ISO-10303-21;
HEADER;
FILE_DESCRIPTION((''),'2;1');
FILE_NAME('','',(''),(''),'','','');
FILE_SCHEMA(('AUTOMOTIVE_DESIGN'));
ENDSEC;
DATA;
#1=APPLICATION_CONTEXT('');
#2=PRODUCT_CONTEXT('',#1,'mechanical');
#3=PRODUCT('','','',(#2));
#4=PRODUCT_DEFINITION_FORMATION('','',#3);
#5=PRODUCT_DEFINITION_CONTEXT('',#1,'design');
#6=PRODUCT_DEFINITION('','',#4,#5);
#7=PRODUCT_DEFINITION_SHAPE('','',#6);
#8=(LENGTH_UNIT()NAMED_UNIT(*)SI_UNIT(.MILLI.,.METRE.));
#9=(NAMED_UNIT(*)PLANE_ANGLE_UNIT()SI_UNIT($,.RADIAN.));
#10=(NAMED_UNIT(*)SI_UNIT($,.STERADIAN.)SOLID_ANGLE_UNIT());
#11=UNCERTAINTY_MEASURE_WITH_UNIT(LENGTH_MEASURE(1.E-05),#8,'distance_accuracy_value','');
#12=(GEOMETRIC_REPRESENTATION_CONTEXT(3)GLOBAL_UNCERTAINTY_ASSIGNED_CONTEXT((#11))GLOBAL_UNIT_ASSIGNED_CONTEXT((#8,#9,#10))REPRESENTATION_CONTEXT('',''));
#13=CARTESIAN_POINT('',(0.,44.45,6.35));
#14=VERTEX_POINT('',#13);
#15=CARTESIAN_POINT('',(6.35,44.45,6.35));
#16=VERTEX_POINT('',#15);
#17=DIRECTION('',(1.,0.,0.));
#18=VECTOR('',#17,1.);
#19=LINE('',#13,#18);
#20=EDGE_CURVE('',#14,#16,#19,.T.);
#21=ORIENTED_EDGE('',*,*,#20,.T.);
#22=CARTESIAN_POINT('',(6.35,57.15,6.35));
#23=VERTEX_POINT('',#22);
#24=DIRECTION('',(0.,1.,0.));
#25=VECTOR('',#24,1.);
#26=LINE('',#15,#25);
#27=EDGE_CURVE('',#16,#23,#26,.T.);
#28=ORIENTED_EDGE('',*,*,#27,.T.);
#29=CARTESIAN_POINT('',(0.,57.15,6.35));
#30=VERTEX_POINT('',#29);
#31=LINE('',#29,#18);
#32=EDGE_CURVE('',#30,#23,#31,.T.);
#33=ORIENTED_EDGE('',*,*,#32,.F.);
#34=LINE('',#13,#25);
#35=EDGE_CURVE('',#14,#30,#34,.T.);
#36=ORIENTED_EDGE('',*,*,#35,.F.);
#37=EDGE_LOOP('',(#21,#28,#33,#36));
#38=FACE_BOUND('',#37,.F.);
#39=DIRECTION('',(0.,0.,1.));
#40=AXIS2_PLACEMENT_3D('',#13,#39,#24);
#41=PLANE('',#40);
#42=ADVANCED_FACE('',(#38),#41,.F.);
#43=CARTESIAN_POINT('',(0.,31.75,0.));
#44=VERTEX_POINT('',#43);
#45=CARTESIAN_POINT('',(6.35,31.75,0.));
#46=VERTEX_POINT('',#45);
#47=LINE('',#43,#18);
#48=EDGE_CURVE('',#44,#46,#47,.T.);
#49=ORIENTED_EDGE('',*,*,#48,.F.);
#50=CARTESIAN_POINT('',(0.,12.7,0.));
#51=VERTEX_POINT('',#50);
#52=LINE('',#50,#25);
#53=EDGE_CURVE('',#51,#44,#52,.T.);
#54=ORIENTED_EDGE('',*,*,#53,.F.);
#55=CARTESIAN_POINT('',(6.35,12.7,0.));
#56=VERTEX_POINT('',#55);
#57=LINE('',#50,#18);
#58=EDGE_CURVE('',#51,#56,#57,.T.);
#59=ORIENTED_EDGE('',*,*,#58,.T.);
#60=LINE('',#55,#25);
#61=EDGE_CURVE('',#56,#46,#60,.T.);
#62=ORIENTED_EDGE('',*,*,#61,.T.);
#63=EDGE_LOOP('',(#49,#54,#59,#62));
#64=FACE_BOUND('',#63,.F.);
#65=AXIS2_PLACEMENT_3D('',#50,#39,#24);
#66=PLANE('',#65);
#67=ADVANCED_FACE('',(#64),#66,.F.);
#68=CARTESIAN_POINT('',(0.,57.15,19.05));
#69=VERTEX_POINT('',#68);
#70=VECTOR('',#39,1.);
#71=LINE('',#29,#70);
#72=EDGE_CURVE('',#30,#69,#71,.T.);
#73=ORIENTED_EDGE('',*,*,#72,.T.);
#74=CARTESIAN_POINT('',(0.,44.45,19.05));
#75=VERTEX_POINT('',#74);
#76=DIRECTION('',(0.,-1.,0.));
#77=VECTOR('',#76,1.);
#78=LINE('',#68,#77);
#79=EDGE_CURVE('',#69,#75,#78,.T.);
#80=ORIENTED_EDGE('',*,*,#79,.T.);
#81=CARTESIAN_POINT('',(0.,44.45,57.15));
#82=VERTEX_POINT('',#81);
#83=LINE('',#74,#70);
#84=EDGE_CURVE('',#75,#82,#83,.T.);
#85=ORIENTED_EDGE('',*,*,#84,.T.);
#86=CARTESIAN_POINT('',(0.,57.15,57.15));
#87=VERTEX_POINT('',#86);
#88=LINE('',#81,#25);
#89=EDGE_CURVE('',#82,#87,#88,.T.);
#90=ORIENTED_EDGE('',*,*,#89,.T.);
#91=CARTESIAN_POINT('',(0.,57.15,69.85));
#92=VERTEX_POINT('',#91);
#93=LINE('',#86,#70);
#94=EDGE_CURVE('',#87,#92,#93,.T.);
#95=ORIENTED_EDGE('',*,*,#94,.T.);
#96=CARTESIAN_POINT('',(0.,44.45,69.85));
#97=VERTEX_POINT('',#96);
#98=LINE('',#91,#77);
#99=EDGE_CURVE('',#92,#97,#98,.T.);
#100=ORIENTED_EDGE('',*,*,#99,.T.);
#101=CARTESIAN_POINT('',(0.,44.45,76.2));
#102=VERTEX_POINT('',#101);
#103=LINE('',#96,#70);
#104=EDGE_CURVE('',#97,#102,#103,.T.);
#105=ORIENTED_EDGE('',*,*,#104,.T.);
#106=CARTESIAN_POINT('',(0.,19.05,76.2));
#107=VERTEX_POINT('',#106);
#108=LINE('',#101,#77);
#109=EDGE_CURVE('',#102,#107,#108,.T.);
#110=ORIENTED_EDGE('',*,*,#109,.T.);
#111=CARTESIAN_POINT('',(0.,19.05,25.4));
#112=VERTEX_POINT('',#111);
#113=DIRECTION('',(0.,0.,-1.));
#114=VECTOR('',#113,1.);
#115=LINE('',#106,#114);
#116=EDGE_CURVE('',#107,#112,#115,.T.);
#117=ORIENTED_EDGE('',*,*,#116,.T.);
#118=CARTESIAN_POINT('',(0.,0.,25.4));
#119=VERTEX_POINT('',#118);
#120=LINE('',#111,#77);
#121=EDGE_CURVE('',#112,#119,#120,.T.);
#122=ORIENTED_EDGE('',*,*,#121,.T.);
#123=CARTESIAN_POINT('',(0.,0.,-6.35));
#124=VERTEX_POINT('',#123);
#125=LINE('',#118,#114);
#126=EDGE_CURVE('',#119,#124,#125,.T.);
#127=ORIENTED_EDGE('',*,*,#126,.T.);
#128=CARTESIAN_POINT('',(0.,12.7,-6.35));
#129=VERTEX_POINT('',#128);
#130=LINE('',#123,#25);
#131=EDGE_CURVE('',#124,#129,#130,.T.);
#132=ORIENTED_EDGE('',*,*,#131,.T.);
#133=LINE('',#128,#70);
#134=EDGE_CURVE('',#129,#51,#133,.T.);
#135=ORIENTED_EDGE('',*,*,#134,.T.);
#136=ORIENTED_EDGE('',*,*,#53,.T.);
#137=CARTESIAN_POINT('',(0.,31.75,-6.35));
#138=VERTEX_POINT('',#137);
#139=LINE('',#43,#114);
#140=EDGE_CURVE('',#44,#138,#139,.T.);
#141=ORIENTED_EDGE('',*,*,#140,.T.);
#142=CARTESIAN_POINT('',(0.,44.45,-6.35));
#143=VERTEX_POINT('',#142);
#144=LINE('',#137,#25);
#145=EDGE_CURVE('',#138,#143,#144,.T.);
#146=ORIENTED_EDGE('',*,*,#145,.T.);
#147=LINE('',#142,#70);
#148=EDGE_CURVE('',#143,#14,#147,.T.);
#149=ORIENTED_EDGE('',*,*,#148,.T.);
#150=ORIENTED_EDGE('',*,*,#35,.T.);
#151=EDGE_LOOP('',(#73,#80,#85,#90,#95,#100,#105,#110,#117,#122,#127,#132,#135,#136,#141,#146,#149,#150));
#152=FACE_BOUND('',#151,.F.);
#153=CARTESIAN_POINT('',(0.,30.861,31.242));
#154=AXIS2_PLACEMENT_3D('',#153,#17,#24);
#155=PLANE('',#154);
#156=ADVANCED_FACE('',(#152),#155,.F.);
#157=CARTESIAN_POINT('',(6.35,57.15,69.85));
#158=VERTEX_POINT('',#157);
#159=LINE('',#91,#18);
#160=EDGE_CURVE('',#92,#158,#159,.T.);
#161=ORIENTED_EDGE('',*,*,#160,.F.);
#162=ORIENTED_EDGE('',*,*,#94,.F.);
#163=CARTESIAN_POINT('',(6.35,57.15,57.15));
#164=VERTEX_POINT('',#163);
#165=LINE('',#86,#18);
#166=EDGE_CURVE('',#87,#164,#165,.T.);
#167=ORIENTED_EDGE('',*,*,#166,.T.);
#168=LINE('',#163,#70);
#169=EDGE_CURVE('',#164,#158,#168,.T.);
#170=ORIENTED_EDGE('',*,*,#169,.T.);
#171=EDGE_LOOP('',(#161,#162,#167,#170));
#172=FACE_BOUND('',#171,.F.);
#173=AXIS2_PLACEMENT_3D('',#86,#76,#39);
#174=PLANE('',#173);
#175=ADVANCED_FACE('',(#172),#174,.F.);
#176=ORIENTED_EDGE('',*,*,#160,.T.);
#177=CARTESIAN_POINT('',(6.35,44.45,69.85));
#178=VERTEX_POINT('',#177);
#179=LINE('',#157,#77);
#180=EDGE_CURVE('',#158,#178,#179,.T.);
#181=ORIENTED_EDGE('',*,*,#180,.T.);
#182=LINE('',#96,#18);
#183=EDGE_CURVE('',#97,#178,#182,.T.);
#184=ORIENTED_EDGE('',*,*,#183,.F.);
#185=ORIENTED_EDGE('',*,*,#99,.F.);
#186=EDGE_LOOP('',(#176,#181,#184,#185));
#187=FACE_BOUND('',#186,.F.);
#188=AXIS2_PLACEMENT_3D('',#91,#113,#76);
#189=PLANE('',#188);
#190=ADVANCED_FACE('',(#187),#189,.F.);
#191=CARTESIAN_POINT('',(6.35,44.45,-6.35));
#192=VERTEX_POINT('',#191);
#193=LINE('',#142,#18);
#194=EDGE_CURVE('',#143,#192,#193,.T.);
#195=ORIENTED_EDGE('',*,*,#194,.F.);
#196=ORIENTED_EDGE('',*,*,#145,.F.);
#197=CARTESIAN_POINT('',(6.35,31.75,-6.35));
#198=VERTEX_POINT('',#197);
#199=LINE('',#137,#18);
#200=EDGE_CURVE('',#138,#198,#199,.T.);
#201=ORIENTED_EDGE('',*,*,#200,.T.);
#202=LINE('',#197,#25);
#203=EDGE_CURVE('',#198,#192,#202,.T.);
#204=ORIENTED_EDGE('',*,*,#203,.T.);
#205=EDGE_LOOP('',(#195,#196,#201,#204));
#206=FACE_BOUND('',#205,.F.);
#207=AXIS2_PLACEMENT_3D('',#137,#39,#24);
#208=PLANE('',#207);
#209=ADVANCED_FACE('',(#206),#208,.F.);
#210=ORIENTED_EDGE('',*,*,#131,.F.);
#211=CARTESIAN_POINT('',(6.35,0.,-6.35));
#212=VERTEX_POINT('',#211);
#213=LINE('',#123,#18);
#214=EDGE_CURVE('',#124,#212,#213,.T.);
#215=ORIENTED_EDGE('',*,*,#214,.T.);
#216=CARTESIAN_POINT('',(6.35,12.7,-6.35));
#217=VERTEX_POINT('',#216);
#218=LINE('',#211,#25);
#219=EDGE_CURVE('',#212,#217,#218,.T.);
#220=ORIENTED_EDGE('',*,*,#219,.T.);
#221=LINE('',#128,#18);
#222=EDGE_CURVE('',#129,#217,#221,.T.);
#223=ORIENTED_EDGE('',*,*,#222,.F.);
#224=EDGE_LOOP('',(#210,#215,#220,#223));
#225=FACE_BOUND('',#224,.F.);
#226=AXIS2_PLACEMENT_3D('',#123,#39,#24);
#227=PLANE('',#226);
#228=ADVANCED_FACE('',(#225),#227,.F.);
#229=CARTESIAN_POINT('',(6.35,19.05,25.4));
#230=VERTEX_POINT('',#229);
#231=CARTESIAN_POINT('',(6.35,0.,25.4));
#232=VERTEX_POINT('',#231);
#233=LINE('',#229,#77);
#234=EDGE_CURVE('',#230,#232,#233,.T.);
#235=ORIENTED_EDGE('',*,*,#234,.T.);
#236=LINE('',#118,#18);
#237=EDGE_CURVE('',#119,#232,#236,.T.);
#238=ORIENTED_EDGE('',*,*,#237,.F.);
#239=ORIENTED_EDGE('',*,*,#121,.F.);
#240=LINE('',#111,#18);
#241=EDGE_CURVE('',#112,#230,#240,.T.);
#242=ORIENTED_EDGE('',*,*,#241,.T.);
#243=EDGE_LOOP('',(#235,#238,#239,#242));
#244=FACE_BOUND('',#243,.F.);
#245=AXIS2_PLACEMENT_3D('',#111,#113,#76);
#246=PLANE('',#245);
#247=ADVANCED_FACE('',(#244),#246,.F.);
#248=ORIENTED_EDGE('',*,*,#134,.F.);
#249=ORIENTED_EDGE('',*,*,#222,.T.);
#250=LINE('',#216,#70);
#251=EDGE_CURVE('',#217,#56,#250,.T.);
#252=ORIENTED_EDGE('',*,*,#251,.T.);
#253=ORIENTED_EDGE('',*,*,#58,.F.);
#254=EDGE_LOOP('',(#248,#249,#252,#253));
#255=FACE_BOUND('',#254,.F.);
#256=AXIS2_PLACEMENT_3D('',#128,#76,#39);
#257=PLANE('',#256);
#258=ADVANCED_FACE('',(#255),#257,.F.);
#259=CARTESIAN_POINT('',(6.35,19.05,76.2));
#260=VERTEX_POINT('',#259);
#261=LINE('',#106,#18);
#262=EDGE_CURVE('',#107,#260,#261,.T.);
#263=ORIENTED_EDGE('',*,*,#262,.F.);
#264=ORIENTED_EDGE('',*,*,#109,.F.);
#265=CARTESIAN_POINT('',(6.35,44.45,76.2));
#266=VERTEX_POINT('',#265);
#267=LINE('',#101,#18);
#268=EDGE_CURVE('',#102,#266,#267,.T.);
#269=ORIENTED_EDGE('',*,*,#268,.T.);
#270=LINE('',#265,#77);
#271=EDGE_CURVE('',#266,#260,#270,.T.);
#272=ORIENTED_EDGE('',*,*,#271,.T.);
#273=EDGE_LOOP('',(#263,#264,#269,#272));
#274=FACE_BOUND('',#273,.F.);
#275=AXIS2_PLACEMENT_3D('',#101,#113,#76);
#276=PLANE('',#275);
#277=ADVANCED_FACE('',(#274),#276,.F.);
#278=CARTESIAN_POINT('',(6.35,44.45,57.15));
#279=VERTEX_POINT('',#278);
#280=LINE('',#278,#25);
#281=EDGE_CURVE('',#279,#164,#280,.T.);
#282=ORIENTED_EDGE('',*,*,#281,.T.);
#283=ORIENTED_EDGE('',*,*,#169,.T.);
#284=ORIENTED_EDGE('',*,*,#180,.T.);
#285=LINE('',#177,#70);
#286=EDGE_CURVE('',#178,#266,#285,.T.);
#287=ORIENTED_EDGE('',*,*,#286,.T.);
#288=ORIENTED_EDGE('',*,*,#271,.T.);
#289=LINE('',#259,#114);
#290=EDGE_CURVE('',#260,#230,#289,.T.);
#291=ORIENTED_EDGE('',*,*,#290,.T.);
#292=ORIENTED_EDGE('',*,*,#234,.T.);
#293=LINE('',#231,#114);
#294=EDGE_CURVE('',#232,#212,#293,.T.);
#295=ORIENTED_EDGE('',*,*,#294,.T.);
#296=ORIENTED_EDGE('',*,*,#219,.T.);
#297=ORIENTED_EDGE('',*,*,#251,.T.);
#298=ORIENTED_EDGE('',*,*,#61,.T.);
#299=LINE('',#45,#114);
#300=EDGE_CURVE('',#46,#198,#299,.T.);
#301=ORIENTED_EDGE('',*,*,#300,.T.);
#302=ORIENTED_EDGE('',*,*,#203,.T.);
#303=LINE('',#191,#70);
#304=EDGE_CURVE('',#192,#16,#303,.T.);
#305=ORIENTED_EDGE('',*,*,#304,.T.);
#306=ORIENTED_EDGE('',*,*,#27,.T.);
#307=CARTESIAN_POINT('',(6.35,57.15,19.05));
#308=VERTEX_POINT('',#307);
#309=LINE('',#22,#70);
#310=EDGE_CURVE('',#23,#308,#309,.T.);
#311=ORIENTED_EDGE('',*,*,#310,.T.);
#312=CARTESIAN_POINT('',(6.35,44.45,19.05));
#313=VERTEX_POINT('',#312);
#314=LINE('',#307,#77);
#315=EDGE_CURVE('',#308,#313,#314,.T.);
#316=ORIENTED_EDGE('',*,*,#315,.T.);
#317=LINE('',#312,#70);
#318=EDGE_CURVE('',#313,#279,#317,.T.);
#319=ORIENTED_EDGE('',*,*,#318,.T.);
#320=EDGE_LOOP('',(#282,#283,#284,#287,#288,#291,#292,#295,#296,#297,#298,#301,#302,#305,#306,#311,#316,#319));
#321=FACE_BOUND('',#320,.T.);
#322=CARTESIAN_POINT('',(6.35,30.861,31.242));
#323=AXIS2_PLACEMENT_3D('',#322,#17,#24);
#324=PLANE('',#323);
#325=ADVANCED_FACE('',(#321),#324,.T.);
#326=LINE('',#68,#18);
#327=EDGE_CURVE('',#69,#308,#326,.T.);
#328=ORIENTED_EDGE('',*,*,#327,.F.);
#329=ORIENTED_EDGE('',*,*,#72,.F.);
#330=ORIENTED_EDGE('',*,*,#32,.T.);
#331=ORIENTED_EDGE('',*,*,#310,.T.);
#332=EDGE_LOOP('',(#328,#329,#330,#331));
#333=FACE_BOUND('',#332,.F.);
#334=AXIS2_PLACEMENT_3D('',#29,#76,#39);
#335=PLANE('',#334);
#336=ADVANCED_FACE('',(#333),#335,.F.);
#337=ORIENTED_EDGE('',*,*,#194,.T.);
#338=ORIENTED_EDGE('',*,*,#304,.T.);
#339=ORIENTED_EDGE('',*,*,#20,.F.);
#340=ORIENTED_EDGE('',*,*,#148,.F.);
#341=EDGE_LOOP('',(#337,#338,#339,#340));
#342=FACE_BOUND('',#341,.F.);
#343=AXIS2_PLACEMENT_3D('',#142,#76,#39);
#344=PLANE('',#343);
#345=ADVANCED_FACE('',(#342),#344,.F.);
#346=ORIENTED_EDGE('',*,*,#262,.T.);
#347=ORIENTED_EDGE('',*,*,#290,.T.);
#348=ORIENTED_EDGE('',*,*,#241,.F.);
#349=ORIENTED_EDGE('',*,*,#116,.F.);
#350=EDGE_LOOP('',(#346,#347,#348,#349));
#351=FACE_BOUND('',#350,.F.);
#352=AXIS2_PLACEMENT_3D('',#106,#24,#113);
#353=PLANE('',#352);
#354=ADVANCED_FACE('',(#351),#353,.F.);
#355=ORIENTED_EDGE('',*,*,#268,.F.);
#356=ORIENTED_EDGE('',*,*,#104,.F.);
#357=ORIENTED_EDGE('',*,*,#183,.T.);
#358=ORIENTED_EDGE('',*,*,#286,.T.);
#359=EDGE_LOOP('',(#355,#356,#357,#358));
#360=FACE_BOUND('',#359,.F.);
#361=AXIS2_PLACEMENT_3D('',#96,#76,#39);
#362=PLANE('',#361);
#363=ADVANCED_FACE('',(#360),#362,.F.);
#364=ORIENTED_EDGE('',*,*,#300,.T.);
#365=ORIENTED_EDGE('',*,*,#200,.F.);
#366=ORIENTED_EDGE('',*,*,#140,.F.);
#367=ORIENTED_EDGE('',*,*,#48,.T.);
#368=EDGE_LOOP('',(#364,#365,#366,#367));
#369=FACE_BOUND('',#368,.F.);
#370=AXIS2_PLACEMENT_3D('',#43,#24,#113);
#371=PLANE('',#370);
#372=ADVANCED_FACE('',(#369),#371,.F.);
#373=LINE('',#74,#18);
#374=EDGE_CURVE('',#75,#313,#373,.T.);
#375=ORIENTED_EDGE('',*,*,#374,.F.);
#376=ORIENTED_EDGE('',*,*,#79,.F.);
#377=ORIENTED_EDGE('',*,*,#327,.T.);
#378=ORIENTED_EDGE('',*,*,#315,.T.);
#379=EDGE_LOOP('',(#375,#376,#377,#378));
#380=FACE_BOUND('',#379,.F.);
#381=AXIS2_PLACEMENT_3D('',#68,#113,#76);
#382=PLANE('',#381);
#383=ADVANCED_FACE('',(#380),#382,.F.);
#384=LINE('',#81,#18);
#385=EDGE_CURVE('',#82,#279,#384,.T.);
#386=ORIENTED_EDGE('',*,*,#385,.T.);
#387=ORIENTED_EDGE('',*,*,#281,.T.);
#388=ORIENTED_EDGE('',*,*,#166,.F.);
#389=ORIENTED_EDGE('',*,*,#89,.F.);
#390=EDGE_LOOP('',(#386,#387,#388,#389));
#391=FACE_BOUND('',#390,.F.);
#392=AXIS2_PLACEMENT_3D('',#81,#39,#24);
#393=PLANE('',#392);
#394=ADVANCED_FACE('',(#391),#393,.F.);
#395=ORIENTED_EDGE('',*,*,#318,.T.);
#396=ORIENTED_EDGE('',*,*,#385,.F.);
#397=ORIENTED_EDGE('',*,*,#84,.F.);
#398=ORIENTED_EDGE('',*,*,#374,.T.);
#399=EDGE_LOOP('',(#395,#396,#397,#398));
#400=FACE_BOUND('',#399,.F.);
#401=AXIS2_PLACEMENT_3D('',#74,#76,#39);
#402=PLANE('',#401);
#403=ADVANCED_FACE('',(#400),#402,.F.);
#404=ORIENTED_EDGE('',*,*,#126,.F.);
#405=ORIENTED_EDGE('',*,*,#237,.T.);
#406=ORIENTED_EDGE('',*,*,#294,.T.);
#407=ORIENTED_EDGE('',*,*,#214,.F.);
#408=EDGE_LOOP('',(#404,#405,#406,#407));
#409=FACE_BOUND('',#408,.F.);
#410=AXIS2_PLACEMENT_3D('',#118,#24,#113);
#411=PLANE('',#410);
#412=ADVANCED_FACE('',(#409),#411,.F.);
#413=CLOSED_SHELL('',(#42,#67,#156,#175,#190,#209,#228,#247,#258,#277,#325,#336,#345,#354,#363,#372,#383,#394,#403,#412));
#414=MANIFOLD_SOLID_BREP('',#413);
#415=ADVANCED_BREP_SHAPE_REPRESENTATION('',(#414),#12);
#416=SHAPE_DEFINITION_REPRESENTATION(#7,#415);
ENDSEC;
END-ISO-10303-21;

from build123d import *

# Parameters (mm, degrees)
F1_DEPTH = 6.35


with BuildPart() as f1:
    # F0 (on Right) → F1 (new body)
    with BuildSketch(Plane.YZ):
        Polygon((0, 25.4), (0, 0), (0, -6.35), (12.7, -6.35), (12.7, 0), (31.75, 0), (31.75, -6.35), (44.45, -6.35), (44.45, 6.35), (57.15, 6.35), (57.15, 19.05), (44.45, 19.05), (44.45, 57.15), (57.15, 57.15), (57.15, 69.85), (44.45, 69.85), (44.45, 76.2), (19.05, 76.2), (19.05, 25.4), align=None)
    extrude(amount=F1_DEPTH)


solid = f1.part
